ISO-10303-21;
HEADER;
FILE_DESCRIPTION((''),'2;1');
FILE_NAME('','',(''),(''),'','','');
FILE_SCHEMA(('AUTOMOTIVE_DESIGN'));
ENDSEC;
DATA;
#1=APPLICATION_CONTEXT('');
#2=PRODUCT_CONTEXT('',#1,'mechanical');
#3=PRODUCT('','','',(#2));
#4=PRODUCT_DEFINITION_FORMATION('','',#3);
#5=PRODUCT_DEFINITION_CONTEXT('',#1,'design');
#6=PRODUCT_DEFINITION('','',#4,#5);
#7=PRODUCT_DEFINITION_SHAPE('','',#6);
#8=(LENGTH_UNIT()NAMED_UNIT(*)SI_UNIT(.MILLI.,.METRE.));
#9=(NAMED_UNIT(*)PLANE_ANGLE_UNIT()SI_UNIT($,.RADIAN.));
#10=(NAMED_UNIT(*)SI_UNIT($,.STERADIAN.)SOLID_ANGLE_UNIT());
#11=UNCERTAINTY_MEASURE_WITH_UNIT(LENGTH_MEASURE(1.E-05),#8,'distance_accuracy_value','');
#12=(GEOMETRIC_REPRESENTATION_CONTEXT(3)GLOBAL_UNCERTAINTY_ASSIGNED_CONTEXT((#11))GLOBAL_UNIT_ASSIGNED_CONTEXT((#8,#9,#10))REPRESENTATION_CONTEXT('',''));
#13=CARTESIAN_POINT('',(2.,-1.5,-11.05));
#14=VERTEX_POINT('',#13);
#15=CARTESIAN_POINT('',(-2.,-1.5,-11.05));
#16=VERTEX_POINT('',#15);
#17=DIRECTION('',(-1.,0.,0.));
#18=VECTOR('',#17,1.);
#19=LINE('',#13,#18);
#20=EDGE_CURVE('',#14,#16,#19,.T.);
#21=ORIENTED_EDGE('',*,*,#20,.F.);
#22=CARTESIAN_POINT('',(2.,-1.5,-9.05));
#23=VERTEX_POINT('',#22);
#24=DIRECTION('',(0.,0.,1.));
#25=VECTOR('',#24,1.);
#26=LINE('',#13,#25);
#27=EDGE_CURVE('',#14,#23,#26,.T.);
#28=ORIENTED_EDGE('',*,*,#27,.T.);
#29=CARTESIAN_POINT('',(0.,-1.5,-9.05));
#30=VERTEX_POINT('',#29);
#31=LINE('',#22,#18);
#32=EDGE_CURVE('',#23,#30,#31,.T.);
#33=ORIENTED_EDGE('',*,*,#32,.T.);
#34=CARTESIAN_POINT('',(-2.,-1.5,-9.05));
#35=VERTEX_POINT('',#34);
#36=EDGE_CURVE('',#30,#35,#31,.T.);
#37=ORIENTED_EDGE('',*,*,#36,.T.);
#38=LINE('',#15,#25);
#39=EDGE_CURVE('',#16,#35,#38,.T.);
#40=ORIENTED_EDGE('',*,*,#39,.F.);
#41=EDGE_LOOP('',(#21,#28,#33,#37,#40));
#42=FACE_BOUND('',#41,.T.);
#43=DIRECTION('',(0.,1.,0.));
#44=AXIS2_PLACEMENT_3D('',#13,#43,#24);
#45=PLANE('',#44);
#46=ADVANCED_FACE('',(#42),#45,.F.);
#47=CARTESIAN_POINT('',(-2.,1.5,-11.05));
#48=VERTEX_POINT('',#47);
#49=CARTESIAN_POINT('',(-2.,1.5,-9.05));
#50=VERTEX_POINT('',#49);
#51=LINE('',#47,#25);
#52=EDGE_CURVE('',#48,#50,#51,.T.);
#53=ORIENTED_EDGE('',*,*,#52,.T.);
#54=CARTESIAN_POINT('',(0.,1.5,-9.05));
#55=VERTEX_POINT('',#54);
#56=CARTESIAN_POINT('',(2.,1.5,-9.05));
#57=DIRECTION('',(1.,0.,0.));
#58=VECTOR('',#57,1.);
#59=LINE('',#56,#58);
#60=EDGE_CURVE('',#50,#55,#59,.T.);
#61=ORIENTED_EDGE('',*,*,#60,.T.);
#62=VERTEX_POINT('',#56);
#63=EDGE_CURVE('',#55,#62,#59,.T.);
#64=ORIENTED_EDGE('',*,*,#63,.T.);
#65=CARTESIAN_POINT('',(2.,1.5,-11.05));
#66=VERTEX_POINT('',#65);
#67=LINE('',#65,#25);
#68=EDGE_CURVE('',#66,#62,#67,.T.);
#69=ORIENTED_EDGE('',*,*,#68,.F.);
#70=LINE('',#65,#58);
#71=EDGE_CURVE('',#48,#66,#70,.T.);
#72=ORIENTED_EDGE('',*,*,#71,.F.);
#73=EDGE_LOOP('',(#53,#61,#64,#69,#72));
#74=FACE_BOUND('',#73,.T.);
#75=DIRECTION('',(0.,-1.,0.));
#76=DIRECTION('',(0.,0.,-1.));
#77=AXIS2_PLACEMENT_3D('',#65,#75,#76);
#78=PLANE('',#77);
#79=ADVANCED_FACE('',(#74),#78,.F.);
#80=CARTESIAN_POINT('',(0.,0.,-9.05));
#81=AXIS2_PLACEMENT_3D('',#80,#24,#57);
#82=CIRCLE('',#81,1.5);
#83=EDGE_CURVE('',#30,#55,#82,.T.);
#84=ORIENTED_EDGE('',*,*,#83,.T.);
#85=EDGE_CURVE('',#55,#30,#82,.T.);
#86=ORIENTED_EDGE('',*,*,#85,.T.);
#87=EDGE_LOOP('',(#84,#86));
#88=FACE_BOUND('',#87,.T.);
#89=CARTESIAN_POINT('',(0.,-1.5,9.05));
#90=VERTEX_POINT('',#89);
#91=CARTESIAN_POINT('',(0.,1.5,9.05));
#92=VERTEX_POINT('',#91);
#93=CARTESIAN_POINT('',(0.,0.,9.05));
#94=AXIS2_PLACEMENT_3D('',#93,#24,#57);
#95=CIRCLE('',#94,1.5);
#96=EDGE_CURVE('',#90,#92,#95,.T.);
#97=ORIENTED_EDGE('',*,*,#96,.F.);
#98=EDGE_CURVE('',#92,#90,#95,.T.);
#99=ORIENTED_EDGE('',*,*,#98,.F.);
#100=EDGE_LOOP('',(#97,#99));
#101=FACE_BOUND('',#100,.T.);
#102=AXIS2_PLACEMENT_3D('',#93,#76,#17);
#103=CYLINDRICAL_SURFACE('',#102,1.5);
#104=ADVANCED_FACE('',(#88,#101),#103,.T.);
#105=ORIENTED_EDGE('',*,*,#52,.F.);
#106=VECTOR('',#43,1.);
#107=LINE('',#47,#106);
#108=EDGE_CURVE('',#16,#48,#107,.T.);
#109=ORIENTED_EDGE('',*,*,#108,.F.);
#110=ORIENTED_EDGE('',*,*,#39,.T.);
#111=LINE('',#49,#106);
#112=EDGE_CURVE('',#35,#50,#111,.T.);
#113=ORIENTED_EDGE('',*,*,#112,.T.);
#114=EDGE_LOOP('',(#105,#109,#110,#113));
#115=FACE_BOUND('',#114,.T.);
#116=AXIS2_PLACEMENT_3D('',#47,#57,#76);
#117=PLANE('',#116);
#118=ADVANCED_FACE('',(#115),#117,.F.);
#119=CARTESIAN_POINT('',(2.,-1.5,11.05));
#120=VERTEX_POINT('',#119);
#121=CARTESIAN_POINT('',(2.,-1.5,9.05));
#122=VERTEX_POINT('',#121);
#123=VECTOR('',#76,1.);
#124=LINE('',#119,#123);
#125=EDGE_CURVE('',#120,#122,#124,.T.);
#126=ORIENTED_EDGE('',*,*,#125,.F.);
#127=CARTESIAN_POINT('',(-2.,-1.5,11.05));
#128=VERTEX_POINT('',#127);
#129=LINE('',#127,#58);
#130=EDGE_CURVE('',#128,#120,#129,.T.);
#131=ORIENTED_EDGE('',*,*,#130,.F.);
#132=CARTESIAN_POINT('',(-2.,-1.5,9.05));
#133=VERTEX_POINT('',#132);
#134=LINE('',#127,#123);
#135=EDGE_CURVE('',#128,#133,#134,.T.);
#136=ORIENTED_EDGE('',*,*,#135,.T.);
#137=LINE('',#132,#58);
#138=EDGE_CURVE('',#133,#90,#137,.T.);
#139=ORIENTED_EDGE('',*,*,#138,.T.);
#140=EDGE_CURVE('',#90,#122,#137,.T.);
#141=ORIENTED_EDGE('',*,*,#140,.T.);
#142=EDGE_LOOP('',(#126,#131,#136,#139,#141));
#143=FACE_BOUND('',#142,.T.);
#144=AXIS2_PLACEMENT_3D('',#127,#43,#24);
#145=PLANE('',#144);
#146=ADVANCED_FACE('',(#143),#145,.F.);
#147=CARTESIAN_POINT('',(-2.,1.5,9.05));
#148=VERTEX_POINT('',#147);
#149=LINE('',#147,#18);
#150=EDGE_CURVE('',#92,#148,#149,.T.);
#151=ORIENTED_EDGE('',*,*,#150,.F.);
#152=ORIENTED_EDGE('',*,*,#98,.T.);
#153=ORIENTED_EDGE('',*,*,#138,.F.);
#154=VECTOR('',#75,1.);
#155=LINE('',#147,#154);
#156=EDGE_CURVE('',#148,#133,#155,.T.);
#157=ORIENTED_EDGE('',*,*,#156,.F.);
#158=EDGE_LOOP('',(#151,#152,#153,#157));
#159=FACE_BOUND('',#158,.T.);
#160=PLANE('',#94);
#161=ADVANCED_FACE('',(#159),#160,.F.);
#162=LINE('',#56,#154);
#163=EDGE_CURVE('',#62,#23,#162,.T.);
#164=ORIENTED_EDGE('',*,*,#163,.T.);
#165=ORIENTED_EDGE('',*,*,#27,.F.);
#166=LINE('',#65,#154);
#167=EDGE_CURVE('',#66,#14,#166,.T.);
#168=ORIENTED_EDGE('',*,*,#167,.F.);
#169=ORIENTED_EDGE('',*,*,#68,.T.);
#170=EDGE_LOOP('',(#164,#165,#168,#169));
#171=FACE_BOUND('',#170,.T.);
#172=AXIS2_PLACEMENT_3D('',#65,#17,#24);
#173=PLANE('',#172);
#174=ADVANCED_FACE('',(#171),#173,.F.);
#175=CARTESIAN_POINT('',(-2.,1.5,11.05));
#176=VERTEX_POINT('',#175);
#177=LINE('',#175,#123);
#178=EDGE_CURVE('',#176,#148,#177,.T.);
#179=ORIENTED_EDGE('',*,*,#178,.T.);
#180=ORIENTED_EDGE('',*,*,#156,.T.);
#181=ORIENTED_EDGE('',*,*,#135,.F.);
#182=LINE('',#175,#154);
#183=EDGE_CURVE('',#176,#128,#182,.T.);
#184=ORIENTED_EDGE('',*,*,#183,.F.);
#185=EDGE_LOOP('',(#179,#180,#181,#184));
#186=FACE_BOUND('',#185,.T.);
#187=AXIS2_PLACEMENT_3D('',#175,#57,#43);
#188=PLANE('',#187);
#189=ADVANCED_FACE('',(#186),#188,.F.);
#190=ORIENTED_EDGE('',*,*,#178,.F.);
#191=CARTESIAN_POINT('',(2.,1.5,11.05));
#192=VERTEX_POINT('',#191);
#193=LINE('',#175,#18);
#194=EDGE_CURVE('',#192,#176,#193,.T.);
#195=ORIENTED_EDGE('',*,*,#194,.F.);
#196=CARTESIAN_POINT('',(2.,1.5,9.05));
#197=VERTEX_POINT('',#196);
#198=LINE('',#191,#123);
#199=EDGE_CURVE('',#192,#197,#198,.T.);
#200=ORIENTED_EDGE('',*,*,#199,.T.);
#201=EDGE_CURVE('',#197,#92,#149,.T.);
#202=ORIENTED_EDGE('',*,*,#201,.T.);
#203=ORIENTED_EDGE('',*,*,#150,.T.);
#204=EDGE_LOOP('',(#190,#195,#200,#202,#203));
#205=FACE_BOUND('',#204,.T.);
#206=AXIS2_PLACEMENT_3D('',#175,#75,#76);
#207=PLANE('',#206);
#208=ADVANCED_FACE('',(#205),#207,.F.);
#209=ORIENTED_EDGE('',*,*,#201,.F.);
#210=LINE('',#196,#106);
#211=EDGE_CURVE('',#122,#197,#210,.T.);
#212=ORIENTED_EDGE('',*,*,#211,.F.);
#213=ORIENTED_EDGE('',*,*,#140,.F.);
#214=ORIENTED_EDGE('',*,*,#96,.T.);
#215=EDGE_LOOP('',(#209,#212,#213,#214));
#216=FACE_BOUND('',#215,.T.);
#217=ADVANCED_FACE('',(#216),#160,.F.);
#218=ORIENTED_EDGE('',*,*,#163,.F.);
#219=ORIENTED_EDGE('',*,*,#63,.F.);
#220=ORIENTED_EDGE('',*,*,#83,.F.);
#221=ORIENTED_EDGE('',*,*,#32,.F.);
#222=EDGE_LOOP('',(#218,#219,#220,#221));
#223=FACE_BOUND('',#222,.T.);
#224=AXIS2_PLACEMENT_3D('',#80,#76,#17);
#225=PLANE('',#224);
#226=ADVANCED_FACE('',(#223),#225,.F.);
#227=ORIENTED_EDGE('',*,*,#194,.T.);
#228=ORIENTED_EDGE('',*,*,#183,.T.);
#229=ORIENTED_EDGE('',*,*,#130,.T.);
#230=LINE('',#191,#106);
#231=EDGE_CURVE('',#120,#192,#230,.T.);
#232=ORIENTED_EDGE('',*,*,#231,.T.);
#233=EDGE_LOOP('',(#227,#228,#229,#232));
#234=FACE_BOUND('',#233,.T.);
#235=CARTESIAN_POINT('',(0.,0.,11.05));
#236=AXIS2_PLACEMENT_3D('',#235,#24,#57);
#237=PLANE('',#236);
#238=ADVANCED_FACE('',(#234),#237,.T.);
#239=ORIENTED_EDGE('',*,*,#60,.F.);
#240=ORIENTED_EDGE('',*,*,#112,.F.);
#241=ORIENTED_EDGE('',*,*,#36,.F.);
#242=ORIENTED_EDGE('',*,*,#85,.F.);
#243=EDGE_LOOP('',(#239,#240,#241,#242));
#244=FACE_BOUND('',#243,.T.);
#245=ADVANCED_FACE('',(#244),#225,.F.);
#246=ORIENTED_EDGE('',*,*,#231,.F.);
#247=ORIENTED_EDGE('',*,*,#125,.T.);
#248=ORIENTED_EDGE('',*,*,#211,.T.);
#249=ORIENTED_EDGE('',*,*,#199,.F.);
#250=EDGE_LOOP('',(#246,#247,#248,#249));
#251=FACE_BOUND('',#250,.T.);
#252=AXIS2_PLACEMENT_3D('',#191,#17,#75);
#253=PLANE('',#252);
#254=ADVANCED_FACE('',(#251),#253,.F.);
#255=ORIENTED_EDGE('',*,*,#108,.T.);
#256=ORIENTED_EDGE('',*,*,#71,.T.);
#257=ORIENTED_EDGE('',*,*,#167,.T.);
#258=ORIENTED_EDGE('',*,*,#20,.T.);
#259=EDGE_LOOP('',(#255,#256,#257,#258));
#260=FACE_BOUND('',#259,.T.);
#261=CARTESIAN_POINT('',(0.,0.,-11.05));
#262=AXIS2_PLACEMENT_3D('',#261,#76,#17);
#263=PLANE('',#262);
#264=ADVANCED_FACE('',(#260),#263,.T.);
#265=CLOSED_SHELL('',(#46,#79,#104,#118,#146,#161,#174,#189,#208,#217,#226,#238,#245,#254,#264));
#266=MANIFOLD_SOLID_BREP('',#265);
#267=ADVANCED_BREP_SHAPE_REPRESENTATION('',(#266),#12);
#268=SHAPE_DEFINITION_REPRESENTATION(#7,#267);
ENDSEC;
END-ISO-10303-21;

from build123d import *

# Parameters (mm, degrees)
SKETCH1_R           = 1.5
BOSS_EXTRUDE1_DEPTH = 9.05
SKETCH2_W           = 4
SKETCH2_H           = 3
BOSS_EXTRUDE2_DEPTH = 2
SKETCH3_W           = 4
SKETCH3_H           = 3
BOSS_EXTRUDE3_DEPTH = 2


with BuildPart() as part:
    # Sketch1 → Boss-Extrude1 (new body, symmetric)
    with BuildSketch(Plane.XY):
        Circle(SKETCH1_R)
    extrude(amount=BOSS_EXTRUDE1_DEPTH, both=True)

    # Sketch2 → Boss-Extrude2 (add)
    with BuildSketch(Plane.XY.offset(9.05)):
        Rectangle(SKETCH2_W, SKETCH2_H)
    extrude(amount=BOSS_EXTRUDE2_DEPTH)

    # Sketch3 → Boss-Extrude3 (add)
    with BuildSketch(Plane(origin=(0, 0, -9.05), x_dir=(-1, 0, 0), z_dir=(0, 0, -1))):
        Rectangle(SKETCH3_W, SKETCH3_H)
    extrude(amount=BOSS_EXTRUDE3_DEPTH)


solid = part.part
